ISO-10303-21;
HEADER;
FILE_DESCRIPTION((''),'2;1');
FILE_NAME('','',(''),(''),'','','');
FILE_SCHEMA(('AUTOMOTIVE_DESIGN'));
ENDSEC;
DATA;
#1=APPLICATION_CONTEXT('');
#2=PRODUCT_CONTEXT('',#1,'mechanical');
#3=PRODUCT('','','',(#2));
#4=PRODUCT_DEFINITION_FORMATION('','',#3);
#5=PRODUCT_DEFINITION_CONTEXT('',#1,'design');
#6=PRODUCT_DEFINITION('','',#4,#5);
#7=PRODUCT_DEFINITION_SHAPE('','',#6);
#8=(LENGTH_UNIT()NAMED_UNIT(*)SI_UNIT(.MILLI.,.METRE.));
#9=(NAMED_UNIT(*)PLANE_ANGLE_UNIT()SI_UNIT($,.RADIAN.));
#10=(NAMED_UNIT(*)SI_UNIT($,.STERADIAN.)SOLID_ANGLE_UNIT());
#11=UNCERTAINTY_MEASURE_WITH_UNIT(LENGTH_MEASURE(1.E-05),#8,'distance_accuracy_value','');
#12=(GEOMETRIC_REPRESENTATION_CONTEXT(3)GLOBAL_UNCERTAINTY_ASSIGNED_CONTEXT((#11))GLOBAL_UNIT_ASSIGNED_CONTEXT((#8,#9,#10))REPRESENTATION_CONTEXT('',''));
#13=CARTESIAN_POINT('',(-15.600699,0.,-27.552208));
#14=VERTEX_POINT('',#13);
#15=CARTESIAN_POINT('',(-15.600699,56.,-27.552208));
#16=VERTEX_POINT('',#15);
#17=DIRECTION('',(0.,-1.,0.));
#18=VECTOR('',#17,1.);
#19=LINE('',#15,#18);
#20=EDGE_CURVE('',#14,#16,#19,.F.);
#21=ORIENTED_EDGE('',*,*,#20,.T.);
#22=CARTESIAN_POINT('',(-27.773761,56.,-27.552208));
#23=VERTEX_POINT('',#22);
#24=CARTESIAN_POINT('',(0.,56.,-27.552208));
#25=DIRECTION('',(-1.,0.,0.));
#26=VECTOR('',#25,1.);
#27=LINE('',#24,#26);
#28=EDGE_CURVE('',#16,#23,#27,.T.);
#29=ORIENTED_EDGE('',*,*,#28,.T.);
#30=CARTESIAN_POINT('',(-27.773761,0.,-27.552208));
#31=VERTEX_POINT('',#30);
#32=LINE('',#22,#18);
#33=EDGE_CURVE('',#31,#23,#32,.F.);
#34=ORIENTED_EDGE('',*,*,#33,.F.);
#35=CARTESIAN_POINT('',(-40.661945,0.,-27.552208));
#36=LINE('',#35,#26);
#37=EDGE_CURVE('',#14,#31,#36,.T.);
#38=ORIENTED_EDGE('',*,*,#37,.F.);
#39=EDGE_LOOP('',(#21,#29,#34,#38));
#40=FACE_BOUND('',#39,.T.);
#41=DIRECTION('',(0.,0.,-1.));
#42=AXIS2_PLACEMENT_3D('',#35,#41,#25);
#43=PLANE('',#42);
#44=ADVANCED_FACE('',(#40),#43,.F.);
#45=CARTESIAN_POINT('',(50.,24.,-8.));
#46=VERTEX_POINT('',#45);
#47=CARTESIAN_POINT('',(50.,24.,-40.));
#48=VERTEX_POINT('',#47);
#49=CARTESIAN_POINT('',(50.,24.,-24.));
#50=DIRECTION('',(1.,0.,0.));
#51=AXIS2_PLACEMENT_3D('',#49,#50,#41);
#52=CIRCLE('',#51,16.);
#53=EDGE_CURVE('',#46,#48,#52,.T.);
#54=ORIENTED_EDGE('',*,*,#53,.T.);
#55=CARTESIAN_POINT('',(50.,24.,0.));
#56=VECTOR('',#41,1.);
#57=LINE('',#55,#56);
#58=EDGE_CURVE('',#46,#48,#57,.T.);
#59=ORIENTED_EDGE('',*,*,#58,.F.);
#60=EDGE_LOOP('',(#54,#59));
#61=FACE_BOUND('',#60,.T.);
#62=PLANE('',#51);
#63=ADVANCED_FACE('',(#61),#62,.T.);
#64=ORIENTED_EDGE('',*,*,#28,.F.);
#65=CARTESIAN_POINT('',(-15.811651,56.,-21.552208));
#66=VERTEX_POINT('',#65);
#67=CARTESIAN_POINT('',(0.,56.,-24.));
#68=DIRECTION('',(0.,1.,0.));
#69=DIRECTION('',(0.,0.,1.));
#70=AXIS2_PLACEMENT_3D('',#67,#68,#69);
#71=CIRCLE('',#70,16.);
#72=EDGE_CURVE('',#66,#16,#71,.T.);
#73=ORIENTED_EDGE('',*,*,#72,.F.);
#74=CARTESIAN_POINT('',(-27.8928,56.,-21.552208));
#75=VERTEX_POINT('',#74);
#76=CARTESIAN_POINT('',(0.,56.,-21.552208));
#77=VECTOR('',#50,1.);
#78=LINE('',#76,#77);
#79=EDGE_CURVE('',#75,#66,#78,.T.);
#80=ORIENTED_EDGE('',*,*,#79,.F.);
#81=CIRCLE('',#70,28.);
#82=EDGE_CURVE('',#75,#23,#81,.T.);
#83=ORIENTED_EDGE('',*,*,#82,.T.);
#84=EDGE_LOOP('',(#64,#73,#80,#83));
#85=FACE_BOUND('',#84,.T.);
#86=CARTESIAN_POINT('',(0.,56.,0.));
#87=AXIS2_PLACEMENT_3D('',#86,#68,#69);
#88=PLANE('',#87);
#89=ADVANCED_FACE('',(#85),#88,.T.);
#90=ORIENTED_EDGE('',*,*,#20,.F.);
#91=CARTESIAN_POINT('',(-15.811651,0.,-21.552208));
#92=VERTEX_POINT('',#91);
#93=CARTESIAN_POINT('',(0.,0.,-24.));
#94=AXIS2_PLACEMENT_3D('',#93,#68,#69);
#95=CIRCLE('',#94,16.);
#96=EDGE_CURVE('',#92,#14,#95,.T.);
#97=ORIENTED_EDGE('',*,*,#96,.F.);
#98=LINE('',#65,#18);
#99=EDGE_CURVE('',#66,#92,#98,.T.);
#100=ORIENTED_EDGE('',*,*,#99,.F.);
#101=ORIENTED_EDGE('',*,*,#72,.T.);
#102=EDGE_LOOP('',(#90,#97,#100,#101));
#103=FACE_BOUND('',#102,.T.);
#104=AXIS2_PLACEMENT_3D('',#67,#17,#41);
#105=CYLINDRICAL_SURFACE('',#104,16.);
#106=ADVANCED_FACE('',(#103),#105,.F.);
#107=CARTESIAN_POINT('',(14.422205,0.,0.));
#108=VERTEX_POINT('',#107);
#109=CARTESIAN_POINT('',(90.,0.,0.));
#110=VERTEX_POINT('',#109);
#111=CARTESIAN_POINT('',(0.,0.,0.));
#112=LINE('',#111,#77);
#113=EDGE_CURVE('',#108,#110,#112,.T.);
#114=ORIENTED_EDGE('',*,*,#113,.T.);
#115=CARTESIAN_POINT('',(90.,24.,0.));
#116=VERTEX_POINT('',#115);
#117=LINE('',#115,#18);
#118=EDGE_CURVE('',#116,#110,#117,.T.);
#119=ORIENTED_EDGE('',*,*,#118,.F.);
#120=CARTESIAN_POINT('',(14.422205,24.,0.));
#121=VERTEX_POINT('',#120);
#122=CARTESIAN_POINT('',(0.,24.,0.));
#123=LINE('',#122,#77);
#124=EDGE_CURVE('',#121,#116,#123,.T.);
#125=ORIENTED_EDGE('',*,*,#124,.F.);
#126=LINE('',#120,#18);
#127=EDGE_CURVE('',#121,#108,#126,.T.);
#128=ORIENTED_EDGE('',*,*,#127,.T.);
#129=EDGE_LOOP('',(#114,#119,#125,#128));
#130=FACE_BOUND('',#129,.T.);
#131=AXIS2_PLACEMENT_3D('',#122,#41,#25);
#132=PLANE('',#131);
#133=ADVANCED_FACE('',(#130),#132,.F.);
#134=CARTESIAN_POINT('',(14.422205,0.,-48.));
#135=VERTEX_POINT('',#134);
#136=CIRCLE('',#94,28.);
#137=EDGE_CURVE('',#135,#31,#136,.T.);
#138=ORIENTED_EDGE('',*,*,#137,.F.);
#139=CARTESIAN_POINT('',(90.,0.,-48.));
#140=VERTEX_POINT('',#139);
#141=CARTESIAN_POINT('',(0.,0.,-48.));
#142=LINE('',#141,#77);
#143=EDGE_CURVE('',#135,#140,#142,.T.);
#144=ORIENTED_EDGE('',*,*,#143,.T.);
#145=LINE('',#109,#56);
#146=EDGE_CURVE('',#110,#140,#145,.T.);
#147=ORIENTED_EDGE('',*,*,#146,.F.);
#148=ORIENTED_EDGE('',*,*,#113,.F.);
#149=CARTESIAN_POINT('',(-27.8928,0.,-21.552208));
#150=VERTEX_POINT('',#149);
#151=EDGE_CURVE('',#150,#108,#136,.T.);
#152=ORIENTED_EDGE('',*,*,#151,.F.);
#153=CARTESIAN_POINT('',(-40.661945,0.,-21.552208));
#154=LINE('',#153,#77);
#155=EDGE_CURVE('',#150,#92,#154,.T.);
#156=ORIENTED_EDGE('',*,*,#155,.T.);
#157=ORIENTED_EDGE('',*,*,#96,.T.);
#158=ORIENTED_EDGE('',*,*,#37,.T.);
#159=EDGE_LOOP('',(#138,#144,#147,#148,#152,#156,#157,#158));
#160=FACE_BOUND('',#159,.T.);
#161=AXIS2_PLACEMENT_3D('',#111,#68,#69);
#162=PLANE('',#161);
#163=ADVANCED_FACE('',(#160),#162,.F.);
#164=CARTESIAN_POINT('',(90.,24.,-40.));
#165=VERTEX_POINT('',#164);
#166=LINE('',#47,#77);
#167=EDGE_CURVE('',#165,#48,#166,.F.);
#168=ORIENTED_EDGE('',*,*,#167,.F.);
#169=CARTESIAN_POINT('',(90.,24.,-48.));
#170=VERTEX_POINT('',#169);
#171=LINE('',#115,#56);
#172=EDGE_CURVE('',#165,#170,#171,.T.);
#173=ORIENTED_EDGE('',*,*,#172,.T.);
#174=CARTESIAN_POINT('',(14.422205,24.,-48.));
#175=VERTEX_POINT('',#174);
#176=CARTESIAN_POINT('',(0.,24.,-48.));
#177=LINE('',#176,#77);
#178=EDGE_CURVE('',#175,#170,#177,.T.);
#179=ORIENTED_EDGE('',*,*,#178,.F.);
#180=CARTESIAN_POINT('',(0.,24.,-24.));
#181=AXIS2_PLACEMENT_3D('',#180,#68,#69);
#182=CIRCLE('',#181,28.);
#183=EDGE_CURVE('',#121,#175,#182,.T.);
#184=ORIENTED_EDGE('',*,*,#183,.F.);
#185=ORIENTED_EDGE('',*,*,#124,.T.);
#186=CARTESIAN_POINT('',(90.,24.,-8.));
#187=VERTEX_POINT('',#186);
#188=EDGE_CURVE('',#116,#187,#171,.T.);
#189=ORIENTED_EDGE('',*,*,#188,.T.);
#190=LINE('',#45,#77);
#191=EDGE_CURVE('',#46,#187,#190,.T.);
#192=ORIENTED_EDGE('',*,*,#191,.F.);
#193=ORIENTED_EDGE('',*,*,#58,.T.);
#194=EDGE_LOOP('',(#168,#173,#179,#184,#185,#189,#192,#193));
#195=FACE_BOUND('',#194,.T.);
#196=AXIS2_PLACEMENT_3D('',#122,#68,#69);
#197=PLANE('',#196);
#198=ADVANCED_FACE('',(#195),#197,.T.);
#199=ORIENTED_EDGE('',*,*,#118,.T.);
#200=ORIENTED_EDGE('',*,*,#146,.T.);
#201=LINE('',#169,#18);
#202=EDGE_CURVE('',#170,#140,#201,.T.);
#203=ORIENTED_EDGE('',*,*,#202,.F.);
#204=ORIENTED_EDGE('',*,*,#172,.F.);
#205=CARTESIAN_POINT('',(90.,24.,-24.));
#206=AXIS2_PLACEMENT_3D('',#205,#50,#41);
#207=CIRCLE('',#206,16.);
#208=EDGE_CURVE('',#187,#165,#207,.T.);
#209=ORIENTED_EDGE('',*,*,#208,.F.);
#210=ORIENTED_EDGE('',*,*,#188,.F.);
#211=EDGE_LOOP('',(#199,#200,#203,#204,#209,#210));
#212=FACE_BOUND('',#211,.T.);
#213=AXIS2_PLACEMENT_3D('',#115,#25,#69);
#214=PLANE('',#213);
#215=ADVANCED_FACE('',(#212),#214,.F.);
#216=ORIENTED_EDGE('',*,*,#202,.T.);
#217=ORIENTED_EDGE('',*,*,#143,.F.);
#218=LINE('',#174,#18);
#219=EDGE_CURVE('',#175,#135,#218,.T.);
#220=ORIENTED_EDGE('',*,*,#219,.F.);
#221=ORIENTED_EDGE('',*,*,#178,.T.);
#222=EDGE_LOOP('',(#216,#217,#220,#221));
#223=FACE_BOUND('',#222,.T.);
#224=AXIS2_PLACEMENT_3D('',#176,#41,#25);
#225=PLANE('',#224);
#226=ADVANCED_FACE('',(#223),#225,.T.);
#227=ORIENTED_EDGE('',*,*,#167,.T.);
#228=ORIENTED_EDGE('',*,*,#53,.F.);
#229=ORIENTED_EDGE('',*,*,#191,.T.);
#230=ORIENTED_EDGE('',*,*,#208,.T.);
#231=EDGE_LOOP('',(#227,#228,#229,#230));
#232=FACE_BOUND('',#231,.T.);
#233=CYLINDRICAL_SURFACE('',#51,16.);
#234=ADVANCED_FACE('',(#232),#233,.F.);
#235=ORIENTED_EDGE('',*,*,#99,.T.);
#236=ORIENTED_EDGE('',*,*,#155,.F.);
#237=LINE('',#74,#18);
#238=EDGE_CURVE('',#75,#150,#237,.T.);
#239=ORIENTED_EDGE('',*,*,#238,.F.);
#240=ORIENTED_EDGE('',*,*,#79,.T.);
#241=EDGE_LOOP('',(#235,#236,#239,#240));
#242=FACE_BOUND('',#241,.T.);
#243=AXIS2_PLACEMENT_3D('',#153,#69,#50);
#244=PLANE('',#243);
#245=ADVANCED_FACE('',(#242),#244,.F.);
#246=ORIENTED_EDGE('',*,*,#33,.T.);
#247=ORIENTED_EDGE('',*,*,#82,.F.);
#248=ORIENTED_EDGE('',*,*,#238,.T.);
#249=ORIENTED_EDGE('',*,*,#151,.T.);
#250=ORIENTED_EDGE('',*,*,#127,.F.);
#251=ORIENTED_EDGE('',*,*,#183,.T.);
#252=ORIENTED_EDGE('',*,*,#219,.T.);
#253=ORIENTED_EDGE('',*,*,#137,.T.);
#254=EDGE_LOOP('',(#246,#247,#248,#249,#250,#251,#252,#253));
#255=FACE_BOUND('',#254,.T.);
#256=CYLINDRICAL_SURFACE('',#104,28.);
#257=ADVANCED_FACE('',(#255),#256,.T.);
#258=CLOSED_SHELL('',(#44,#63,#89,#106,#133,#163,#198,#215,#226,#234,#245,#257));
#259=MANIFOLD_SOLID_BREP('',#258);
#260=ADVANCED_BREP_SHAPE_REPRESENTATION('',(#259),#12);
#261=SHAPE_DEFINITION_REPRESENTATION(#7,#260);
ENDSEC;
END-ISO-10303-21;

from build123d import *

# Parameters (mm, degrees)
BOSS_EXTRUDE1_DEPTH = 24
SKETCH1_4_R         = 16
BOSS_EXTRUDE2_DEPTH = 56
SKETCH2_W           = 38.610961688
SKETCH2_H           = 6
CUT_EXTRUDE1_DEPTH  = 119.067777145
SKETCH3_R           = 16
CUT_EXTRUDE2_DEPTH  = 40


with BuildPart() as part:
    # Sketch1 → Boss-Extrude1 (new body)
    with BuildSketch(Plane(origin=(0, 0, 0), x_dir=(1, 0, 0), z_dir=(0, 1, 0))):
        with BuildLine():
            ThreePointArc((28, 24), (24.37028665, 10.212718594), (14.422205102, 0))
            Line((14.422205102, 0), (90, 0))
            Line((90, 0), (90, 48))
            Line((90, 48), (14.422205102, 48))
            ThreePointArc((14.422205102, 48), (24.37028665, 37.787281406), (28, 24))
        make_face()
    extrude(amount=BOSS_EXTRUDE1_DEPTH)

    # Sketch1<4> → Boss-Extrude2 (add)
    with BuildSketch(Plane(origin=(0, 0, 0), x_dir=(1, 0, 0), z_dir=(0, 1, 0))):
        with BuildLine():
            ThreePointArc((14.422205102, 48), (-28, 24), (14.422205102, 0))
            ThreePointArc((14.422205102, 0), (24.37028665, 10.212718594), (28, 24))
            ThreePointArc((28, 24), (24.37028665, 37.787281406), (14.422205102, 48))
        make_face()
        with Locations((0, 24)):
            Circle(SKETCH1_4_R, mode=Mode.SUBTRACT)
    extrude(amount=BOSS_EXTRUDE2_DEPTH)

    # Sketch2 → Cut-Extrude1 (cut, through all)
    with BuildSketch(Plane(origin=(0, 56, 0), x_dir=(1, 0, 0), z_dir=(0, 1, 0))):
        with Locations((-21.356464049, 24.552208475)):
            Rectangle(SKETCH2_W, SKETCH2_H)
    extrude(amount=-CUT_EXTRUDE1_DEPTH, mode=Mode.SUBTRACT)

    # Sketch3 → Cut-Extrude2 (cut)
    with BuildSketch(Plane(origin=(90, 0, 0), x_dir=(0, 0, -1), z_dir=(1, 0, 0))):
        with Locations((24, 24)):
            Circle(SKETCH3_R)
    extrude(amount=-CUT_EXTRUDE2_DEPTH, mode=Mode.SUBTRACT)


solid = part.part
